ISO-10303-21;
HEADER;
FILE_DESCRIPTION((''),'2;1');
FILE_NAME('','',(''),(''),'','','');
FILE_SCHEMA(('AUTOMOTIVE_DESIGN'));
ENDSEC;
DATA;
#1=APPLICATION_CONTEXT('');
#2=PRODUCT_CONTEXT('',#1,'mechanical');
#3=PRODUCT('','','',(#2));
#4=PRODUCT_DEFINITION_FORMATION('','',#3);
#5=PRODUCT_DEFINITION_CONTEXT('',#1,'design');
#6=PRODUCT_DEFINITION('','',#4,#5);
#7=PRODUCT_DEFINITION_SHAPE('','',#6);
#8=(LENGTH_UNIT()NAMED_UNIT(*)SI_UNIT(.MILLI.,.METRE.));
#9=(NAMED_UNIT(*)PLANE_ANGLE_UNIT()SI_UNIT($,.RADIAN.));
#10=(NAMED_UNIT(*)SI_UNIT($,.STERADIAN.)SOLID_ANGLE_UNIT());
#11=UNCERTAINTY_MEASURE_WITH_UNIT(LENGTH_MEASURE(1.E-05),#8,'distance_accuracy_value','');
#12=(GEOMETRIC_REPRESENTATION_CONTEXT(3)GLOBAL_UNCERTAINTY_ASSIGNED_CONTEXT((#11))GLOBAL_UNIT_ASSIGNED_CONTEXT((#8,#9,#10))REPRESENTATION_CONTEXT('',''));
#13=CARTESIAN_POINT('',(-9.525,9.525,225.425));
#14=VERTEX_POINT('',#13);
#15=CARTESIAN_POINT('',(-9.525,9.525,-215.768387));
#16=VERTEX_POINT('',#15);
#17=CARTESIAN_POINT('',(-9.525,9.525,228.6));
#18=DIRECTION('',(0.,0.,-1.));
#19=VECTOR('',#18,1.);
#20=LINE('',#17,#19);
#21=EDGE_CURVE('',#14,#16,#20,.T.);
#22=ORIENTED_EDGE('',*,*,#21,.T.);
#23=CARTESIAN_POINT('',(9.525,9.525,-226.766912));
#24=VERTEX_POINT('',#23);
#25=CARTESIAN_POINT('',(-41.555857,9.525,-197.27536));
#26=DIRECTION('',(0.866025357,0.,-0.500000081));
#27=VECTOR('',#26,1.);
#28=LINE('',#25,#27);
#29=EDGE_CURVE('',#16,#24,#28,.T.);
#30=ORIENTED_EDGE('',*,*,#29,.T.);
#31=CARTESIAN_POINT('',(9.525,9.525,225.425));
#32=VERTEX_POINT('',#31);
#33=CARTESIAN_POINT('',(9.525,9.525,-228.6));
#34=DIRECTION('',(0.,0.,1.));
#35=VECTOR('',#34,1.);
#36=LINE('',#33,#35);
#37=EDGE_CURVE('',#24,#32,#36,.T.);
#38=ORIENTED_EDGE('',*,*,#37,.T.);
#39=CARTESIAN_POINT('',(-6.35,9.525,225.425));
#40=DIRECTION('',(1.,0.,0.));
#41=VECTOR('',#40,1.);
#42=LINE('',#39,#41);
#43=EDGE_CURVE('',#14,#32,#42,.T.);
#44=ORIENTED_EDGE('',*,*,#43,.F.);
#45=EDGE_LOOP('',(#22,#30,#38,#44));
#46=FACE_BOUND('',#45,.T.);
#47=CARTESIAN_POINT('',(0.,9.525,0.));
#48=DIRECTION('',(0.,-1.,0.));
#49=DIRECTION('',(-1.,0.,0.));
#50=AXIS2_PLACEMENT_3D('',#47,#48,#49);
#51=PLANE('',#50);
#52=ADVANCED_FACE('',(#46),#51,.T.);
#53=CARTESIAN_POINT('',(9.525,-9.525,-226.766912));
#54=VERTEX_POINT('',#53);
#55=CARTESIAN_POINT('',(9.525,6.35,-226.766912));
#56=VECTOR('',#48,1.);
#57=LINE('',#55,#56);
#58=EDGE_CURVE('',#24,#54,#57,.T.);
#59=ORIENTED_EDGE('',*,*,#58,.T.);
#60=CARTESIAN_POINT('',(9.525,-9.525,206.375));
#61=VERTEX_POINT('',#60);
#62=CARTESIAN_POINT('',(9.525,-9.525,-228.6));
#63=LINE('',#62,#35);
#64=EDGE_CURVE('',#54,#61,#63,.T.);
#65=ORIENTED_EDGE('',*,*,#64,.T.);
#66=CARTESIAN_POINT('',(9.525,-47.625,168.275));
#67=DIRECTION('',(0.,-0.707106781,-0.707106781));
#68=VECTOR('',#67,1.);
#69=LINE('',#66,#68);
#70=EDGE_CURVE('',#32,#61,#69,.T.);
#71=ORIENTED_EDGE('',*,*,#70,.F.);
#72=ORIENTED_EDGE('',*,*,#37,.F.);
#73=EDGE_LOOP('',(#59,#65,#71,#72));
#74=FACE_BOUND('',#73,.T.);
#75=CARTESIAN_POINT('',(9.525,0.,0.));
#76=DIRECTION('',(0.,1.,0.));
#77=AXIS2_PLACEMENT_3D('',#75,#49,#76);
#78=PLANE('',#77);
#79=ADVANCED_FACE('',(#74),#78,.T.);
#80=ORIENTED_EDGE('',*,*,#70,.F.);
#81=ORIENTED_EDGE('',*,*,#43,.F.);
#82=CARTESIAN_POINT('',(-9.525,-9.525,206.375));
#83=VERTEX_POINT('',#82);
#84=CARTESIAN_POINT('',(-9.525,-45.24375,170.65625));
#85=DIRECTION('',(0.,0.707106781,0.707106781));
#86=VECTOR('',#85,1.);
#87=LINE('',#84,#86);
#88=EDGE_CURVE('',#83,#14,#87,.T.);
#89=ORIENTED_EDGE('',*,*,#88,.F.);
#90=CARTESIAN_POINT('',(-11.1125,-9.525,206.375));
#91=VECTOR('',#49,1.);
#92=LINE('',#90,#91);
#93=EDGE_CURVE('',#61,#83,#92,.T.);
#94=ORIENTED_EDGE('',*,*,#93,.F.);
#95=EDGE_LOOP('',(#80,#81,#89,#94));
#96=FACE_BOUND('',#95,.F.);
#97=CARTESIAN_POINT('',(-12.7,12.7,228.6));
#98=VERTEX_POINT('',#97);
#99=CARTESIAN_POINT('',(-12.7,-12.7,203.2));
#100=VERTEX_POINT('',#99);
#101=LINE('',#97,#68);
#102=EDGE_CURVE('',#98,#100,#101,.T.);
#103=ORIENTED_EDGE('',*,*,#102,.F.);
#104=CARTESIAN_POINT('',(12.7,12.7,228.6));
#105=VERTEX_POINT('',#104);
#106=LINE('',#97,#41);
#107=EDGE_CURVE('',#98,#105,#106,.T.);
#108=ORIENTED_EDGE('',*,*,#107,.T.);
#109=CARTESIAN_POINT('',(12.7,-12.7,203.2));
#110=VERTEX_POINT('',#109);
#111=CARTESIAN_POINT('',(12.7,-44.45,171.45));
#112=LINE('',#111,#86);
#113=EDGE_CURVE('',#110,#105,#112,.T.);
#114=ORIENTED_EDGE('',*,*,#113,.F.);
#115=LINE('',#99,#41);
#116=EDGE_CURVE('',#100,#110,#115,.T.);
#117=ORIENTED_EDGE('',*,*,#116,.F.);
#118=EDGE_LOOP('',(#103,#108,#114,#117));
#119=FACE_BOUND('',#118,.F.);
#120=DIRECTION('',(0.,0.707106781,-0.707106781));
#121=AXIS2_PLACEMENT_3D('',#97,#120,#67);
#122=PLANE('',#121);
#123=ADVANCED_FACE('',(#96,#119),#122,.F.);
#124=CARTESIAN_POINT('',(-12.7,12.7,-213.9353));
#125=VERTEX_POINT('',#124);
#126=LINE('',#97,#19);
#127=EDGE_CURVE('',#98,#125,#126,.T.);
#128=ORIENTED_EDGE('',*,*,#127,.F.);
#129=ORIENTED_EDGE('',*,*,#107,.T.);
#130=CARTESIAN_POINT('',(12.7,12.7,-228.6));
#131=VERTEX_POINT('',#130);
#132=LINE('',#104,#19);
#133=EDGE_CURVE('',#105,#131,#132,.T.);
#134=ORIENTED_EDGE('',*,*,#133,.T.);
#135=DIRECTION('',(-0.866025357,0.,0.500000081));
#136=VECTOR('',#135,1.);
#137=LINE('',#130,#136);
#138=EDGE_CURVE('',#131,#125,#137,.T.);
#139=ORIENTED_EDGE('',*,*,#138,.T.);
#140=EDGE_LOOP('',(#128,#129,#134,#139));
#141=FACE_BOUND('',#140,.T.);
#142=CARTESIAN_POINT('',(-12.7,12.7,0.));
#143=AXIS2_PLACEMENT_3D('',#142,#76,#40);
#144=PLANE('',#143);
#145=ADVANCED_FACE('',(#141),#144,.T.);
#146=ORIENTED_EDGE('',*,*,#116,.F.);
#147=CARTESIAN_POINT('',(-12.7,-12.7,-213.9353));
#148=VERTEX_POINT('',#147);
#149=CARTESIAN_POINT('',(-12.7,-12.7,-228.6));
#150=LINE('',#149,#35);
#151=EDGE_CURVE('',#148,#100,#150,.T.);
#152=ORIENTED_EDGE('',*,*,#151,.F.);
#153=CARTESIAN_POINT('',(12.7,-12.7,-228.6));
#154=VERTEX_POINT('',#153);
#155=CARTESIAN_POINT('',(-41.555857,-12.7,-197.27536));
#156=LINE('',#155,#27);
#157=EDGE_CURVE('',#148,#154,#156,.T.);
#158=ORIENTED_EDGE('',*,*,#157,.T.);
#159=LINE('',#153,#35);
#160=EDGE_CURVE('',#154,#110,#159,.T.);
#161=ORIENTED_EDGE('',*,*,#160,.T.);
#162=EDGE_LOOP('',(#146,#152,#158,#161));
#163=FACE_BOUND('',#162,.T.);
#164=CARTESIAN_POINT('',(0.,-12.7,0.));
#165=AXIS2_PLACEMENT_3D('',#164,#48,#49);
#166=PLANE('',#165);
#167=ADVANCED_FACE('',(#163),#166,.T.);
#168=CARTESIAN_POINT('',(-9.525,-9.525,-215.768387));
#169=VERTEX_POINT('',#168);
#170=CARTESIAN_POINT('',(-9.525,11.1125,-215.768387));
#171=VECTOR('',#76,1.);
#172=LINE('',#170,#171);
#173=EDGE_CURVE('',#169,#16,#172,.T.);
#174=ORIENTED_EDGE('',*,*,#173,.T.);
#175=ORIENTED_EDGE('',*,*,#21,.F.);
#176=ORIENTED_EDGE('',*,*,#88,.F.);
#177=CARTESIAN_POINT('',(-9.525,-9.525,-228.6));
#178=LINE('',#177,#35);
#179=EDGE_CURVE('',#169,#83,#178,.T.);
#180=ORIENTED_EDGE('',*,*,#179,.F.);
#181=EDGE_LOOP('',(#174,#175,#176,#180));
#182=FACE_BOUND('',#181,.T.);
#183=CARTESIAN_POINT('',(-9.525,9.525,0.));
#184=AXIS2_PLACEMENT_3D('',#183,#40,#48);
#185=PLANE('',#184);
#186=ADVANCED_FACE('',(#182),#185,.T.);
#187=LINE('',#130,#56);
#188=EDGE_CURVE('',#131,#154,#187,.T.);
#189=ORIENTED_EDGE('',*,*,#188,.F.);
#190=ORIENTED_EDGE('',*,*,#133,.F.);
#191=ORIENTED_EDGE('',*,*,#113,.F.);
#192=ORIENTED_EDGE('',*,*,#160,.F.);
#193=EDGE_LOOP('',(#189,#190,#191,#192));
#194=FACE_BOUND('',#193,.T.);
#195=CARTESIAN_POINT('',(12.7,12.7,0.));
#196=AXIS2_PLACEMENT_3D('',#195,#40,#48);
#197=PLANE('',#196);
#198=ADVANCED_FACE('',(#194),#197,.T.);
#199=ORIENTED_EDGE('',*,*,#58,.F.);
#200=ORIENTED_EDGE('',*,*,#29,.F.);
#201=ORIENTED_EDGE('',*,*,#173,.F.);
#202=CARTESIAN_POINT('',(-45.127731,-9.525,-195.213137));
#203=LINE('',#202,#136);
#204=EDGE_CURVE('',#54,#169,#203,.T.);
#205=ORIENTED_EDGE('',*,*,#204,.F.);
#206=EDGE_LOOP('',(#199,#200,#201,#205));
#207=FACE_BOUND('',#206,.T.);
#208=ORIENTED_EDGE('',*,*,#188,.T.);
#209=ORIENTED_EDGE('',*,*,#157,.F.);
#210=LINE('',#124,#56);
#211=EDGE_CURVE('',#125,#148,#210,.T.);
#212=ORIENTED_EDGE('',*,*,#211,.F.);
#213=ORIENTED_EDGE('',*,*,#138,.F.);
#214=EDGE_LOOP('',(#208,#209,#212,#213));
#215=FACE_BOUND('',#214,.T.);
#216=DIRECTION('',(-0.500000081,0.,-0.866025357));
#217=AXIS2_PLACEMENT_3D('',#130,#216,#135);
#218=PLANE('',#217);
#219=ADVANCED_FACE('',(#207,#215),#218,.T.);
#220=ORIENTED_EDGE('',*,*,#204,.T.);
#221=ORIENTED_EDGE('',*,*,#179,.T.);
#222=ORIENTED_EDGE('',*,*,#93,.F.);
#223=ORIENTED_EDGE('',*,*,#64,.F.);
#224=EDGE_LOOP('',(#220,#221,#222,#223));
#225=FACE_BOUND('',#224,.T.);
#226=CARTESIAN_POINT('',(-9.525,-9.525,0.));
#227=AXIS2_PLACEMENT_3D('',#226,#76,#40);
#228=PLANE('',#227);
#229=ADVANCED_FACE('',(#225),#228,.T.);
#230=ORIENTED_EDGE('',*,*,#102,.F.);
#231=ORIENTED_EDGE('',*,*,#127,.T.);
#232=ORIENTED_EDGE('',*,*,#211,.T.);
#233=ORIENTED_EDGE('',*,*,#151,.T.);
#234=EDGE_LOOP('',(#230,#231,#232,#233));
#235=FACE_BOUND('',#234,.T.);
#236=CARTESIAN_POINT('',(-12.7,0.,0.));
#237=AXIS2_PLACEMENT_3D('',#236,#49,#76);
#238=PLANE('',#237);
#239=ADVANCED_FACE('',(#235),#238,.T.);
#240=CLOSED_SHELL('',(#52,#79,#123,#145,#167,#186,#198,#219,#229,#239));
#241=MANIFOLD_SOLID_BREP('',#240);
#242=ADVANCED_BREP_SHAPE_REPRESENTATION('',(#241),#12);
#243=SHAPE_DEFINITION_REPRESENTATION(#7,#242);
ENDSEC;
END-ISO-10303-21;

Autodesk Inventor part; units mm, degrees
ref_plane "YZ Plane" through (0, 0, 0) normal (1, 0, 0) x (0, 1, 0)
ref_plane "XZ Plane" through (0, 0, 0) normal (0, 1, 0) x (-1, 0, 0)
ref_plane "XY Plane" through (0, 0, 0) normal (0, 0, 1) x (1, 0, 0)
sketch "Sketch1" plane through (0, 0, 0) normal (0, 0, 1) x (1, 0, 0)
  line L0 (-17.78, 0) -> (17.78, 0) projected
  line L1 (0, -17.78) -> (0, 17.78) projected
  line L2 (-12.7, 12.7) -> (12.7, 12.7)
  line L3 (12.7, 12.7) -> (12.7, -12.7)
  line L4 (12.7, -12.7) -> (-12.7, -12.7)
  line L5 (-12.7, -12.7) -> (-12.7, 12.7)
  line L6 (9.525, 9.525) -> (-9.525, 9.525)
  line L7 (-9.525, 9.525) -> (-9.525, -9.525)
  line L8 (-9.525, -9.525) -> (9.525, -9.525)
  line L9 (9.525, -9.525) -> (9.525, 9.525)
  point P0 (0, 0)
  point P1 (-12.7, 0)
  point P2 (0, 12.7)
  dimension "d0" = 25.4
  dimension "d1" = 3.175
extrude "Base" add sketch "Sketch1" along normal mid plane 457.2 contours L5 L2 L1 L6 L7 L0 | L0 L7 L8 L1 L4 L5 | L1 L8 L9 L0 L3 L4 | L2 L3 L0 L9 L6 L1
sketch "Sketch5" plane through (-12.7, -12.7, 228.6) normal (-1, 0, 0) x (0, 0, 1)
  line L0 (0, 0) -> (0, 25.4) projected
  line L1 (-457.2, 25.4) -> (0, 25.4) projected
  line L2 (0, 0) -> (-457.2, 0) projected
  line L3 (0, 25.4) -> (-25.4, 0)
  line L4 (-228.6, 25.4) -> (-228.6, 0) construction
  point P0 (-228.6, 12.7)
  dimension "d13" = 45
extrude "Extrusion5" cut sketch "Sketch5" against normal through all
sketch "Sketch6" plane through (-12.7, 12.7, -228.6) normal (0, 1, 0) x (1, 0, 0)
  line L0 (25.4, 0) -> (0, 0) projected
  line L1 (0, 0) -> (0, -457.2) projected
  line L2 (25.4, 0) -> (0, -14.6647)
  point P0 (12.7, -228.6)
  dimension "d16" = 30
extrude "Extrusion6" cut sketch "Sketch6" against normal through all
properties part number "tubing_template_0.125" material "Aluminum-6061"
